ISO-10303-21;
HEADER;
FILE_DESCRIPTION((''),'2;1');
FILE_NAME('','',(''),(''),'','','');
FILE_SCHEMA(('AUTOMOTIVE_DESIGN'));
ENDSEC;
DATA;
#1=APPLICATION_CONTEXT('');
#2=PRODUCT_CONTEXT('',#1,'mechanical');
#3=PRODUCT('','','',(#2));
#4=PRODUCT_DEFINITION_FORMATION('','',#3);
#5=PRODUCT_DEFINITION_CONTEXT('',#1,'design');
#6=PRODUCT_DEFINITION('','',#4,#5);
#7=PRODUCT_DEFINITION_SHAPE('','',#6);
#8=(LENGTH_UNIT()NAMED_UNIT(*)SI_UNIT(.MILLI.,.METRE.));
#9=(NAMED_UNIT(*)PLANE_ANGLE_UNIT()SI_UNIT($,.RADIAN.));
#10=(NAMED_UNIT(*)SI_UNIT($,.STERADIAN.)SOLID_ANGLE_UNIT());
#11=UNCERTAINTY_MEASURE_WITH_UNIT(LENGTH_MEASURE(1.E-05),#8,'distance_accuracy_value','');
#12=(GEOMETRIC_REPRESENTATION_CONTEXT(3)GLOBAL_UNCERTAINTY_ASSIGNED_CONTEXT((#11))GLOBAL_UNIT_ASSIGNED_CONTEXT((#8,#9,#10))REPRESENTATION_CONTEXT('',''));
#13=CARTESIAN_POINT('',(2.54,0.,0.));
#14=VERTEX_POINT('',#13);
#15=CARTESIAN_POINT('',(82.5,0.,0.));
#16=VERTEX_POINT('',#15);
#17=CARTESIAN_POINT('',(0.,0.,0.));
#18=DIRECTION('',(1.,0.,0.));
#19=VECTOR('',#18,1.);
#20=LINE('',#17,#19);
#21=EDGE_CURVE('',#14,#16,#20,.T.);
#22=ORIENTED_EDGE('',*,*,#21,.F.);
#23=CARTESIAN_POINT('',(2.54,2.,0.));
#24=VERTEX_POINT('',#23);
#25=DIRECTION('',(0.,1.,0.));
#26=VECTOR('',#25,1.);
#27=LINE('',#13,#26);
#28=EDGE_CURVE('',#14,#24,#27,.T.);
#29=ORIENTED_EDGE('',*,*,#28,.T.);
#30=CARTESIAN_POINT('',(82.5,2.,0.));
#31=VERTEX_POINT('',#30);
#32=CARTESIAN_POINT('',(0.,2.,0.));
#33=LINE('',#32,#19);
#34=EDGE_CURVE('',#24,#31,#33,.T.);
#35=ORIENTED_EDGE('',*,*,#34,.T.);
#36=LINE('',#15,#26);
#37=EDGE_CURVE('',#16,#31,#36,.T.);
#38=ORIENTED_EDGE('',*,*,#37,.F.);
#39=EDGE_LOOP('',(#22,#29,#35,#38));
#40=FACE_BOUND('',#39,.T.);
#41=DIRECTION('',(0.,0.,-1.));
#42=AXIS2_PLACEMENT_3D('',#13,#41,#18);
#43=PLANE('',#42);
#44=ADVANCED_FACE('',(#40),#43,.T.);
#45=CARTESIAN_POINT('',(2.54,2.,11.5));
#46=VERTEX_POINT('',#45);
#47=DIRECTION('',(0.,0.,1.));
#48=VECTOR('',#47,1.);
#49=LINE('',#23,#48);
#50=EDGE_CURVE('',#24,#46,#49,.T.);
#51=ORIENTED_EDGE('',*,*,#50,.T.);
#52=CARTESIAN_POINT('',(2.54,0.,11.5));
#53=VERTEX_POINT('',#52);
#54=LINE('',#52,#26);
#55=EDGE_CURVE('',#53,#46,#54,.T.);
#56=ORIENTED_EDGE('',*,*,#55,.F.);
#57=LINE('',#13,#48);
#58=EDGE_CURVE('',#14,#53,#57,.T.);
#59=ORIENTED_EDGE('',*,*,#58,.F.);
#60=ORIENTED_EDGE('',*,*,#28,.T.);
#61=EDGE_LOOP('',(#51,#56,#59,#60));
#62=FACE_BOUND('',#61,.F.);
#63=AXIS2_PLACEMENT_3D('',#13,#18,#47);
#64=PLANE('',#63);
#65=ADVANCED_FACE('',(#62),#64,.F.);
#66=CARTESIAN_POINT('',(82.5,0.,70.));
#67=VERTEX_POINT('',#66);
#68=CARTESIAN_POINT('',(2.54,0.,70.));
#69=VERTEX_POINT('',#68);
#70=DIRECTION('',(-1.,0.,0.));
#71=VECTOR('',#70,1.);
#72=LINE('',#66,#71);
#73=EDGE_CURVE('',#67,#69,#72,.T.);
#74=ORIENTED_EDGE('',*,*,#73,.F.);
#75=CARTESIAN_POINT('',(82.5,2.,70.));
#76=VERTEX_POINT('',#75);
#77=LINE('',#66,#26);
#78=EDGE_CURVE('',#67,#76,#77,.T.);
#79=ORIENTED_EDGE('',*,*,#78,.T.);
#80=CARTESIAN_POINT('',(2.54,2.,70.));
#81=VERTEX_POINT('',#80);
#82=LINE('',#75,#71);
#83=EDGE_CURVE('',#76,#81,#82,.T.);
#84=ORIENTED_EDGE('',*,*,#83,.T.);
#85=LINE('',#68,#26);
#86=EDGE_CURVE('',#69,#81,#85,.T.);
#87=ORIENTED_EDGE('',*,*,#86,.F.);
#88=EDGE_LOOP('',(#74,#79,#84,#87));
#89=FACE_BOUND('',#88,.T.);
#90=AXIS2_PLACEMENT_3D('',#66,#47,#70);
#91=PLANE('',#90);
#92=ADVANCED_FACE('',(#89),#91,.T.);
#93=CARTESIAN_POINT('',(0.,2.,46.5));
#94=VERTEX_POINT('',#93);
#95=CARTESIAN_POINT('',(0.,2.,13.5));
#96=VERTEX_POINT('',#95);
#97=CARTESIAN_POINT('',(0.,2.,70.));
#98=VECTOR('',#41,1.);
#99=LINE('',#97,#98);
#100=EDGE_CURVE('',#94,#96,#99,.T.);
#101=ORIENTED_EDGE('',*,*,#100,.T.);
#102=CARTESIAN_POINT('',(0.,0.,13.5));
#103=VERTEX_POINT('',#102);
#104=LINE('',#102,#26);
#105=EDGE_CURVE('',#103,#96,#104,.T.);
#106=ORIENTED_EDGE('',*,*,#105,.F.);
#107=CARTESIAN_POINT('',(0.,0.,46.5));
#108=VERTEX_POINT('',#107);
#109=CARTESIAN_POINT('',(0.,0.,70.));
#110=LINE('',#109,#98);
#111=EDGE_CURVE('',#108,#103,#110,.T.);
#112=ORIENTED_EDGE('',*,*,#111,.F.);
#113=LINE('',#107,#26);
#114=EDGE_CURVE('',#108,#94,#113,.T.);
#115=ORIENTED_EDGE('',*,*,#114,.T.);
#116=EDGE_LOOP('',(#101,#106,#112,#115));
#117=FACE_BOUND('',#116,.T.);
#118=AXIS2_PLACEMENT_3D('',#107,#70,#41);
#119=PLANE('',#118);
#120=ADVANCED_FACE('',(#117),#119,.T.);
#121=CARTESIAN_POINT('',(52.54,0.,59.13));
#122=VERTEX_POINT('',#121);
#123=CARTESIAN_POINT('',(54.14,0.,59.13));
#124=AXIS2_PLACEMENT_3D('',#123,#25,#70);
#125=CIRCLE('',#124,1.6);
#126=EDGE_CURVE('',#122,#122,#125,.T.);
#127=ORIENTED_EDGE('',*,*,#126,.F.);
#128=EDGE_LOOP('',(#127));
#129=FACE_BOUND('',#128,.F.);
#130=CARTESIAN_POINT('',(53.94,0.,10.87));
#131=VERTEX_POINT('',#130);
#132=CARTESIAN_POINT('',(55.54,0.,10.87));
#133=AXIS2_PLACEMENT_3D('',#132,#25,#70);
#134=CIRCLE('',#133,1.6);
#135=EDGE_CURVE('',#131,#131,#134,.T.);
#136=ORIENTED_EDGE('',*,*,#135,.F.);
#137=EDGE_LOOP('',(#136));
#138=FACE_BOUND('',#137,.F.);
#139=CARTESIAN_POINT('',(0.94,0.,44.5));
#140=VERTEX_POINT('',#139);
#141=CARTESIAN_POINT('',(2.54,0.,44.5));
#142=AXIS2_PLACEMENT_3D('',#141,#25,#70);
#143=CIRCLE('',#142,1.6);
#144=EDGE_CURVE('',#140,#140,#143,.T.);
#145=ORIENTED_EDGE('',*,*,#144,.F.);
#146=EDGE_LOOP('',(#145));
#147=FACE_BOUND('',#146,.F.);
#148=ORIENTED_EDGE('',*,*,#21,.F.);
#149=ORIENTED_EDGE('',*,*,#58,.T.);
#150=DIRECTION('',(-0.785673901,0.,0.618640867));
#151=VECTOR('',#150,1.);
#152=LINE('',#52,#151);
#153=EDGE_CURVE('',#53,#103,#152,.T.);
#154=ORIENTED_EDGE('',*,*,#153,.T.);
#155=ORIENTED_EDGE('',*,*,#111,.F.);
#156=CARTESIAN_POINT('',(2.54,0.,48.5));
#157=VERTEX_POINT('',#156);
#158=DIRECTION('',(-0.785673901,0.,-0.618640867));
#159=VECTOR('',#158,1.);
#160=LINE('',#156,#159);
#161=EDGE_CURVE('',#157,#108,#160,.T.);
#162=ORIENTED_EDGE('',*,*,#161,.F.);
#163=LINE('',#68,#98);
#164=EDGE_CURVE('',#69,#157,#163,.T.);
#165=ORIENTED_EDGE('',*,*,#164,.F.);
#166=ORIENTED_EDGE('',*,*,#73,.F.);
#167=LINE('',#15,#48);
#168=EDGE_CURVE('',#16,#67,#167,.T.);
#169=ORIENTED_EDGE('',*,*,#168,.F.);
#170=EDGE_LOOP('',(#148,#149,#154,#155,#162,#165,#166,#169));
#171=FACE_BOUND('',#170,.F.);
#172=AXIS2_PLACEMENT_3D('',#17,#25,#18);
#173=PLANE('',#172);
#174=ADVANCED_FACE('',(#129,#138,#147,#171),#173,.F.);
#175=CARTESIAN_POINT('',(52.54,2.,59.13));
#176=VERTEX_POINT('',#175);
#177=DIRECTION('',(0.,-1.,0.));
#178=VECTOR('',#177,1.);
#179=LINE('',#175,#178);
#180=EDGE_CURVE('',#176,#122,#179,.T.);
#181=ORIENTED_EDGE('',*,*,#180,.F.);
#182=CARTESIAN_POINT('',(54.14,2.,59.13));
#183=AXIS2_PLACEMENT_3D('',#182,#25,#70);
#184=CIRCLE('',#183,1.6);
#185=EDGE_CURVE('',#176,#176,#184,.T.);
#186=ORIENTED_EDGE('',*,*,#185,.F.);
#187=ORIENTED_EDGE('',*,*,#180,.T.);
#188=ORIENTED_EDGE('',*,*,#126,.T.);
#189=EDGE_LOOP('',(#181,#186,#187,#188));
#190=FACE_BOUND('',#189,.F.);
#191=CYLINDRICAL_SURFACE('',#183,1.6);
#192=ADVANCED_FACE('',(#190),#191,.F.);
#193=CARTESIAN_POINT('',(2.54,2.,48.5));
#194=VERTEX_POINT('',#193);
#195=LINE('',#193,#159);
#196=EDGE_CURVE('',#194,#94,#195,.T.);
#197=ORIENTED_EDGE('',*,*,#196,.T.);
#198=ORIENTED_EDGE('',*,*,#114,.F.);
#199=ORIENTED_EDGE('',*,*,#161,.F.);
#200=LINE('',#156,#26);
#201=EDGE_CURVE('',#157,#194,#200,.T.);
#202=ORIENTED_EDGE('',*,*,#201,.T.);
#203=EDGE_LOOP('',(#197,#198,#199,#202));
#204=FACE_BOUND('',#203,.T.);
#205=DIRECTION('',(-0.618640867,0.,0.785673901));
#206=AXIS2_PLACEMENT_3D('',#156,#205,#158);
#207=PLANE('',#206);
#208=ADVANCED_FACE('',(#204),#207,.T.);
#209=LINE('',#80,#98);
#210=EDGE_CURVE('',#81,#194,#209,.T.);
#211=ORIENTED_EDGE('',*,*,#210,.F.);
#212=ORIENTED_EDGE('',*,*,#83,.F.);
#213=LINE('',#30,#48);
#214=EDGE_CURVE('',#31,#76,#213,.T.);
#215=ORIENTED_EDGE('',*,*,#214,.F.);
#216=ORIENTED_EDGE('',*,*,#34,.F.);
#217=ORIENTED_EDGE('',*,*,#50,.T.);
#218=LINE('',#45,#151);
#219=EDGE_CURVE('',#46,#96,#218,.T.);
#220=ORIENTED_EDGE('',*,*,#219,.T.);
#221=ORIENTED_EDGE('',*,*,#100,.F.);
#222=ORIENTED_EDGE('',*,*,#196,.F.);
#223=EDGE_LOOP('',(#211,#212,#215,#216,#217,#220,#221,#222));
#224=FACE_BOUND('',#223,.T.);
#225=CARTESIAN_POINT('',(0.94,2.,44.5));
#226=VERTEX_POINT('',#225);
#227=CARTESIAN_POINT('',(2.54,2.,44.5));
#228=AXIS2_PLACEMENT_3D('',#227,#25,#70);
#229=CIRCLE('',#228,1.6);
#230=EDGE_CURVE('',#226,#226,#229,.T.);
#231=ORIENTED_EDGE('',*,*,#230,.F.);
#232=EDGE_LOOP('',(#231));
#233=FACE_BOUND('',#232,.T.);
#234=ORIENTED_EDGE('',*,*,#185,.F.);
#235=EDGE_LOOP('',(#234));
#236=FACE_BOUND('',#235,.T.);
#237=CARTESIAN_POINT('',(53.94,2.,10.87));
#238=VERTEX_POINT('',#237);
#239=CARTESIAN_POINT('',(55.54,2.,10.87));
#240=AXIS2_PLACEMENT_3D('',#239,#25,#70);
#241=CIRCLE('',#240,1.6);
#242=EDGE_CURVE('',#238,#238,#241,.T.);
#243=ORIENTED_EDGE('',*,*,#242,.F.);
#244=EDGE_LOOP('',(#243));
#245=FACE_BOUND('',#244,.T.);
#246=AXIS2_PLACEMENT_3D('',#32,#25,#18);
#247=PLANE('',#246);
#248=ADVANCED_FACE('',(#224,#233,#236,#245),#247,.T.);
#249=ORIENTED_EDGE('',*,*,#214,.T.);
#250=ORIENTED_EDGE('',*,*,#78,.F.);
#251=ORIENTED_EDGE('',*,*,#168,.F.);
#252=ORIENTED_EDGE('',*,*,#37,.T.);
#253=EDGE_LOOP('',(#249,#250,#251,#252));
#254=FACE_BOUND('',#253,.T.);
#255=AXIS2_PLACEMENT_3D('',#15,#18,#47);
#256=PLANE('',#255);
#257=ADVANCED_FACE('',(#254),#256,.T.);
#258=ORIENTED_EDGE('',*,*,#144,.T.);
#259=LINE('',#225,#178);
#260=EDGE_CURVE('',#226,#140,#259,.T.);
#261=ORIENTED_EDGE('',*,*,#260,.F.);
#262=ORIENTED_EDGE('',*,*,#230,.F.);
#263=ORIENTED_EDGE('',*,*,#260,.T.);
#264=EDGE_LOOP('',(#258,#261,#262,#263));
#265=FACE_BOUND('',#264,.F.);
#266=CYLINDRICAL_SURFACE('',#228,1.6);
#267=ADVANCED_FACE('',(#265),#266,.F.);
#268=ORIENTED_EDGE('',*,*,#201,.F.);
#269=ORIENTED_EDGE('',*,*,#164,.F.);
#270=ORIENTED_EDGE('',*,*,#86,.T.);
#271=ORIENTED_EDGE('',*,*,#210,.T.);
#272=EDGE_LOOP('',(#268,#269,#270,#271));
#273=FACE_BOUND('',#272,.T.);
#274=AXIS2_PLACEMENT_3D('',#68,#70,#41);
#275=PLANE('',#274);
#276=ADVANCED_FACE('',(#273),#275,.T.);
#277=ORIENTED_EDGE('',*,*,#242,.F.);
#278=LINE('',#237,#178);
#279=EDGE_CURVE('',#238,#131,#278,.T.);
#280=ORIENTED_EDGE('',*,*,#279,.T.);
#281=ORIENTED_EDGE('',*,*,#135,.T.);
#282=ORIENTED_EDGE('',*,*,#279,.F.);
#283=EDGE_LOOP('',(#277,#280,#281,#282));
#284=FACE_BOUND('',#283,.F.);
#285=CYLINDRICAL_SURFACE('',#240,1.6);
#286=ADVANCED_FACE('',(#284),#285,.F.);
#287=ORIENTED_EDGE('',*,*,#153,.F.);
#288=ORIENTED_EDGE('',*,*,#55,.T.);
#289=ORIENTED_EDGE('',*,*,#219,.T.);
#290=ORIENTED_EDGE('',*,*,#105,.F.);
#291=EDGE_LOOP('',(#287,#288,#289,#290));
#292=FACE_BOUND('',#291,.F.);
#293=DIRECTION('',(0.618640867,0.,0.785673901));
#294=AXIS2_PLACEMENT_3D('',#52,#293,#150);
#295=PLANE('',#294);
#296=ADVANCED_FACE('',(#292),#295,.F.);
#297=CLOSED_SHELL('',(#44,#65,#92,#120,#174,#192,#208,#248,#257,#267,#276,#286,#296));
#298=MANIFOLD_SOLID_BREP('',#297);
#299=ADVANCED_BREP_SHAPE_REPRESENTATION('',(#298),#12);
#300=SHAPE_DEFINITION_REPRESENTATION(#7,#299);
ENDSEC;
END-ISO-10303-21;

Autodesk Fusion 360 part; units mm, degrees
sketch "Sketch1" plane through (0, 0, 0) normal (0, 1, 0) x (1, 0, 0)
  line L0 (0, 0) -> (82.5, 0)
  line L1 (82.5, 0) -> (82.5, -70)
  line L2 (82.5, -70) -> (0, -70)
  line L3 (0, -70) -> (0, 0)
  line L4 (2.54, -70) -> (2.54, -48.5)
  line L5 (2.54, -48.5) -> (0, -46.5)
  line L6 (2.54, 0) -> (2.54, -11.5)
  line L7 (2.54, -11.5) -> (0, -13.5)
  dimension "d1" = 82.5
  dimension "d2" = 70
  dimension "d3" = 33
  dimension "d4" = 11.5
  dimension "d5" = 2.54
  dimension "d6" = 2.54
  dimension "d7" = 21.5
  dimension "d8" = 2
extrude "Extrude1" add sketch "Sketch1" along normal blind 2 contours L0 L1 L2 L3 L4 L5 L6 L7
sketch "Sketch2" plane through (0, 2, 0) normal (0, 1, 0) x (-1, 0, 0)
  line L0 (-2.54, 0) -> (-2.54, 11.5)
  line L1 (-2.54, 11.5) -> (0, 13.5)
  line L2 (0, 13.5) -> (0, 46.5)
  line L3 (0, 46.5) -> (-2.54, 48.5)
  line L4 (-2.54, 48.5) -> (-2.54, 70)
  line L5 (-2.54, 70) -> (-82.5, 70)
  line L6 (-82.5, 70) -> (-82.5, 0)
  line L7 (-82.5, 0) -> (-2.54, 0)
  circle A0 centre (-2.54, 44.5) radius 1.6
  circle A1 centre (-54.14, 59.13) radius 1.6
  circle A2 centre (-55.54, 10.87) radius 1.6
  dimension "d11" = 3.2
  dimension "d12" = 2.54
  dimension "d13" = 33
  dimension "d14" = 3.2
  dimension "d15" = 3.2
  dimension "d17" = 10.87
  dimension "d20" = 53
  dimension "d21" = 51.6
  dimension "d22" = 48.26
extrude "Extrude2" cut sketch "Sketch2" against normal blind 2 contours A0 | A1 | A2
